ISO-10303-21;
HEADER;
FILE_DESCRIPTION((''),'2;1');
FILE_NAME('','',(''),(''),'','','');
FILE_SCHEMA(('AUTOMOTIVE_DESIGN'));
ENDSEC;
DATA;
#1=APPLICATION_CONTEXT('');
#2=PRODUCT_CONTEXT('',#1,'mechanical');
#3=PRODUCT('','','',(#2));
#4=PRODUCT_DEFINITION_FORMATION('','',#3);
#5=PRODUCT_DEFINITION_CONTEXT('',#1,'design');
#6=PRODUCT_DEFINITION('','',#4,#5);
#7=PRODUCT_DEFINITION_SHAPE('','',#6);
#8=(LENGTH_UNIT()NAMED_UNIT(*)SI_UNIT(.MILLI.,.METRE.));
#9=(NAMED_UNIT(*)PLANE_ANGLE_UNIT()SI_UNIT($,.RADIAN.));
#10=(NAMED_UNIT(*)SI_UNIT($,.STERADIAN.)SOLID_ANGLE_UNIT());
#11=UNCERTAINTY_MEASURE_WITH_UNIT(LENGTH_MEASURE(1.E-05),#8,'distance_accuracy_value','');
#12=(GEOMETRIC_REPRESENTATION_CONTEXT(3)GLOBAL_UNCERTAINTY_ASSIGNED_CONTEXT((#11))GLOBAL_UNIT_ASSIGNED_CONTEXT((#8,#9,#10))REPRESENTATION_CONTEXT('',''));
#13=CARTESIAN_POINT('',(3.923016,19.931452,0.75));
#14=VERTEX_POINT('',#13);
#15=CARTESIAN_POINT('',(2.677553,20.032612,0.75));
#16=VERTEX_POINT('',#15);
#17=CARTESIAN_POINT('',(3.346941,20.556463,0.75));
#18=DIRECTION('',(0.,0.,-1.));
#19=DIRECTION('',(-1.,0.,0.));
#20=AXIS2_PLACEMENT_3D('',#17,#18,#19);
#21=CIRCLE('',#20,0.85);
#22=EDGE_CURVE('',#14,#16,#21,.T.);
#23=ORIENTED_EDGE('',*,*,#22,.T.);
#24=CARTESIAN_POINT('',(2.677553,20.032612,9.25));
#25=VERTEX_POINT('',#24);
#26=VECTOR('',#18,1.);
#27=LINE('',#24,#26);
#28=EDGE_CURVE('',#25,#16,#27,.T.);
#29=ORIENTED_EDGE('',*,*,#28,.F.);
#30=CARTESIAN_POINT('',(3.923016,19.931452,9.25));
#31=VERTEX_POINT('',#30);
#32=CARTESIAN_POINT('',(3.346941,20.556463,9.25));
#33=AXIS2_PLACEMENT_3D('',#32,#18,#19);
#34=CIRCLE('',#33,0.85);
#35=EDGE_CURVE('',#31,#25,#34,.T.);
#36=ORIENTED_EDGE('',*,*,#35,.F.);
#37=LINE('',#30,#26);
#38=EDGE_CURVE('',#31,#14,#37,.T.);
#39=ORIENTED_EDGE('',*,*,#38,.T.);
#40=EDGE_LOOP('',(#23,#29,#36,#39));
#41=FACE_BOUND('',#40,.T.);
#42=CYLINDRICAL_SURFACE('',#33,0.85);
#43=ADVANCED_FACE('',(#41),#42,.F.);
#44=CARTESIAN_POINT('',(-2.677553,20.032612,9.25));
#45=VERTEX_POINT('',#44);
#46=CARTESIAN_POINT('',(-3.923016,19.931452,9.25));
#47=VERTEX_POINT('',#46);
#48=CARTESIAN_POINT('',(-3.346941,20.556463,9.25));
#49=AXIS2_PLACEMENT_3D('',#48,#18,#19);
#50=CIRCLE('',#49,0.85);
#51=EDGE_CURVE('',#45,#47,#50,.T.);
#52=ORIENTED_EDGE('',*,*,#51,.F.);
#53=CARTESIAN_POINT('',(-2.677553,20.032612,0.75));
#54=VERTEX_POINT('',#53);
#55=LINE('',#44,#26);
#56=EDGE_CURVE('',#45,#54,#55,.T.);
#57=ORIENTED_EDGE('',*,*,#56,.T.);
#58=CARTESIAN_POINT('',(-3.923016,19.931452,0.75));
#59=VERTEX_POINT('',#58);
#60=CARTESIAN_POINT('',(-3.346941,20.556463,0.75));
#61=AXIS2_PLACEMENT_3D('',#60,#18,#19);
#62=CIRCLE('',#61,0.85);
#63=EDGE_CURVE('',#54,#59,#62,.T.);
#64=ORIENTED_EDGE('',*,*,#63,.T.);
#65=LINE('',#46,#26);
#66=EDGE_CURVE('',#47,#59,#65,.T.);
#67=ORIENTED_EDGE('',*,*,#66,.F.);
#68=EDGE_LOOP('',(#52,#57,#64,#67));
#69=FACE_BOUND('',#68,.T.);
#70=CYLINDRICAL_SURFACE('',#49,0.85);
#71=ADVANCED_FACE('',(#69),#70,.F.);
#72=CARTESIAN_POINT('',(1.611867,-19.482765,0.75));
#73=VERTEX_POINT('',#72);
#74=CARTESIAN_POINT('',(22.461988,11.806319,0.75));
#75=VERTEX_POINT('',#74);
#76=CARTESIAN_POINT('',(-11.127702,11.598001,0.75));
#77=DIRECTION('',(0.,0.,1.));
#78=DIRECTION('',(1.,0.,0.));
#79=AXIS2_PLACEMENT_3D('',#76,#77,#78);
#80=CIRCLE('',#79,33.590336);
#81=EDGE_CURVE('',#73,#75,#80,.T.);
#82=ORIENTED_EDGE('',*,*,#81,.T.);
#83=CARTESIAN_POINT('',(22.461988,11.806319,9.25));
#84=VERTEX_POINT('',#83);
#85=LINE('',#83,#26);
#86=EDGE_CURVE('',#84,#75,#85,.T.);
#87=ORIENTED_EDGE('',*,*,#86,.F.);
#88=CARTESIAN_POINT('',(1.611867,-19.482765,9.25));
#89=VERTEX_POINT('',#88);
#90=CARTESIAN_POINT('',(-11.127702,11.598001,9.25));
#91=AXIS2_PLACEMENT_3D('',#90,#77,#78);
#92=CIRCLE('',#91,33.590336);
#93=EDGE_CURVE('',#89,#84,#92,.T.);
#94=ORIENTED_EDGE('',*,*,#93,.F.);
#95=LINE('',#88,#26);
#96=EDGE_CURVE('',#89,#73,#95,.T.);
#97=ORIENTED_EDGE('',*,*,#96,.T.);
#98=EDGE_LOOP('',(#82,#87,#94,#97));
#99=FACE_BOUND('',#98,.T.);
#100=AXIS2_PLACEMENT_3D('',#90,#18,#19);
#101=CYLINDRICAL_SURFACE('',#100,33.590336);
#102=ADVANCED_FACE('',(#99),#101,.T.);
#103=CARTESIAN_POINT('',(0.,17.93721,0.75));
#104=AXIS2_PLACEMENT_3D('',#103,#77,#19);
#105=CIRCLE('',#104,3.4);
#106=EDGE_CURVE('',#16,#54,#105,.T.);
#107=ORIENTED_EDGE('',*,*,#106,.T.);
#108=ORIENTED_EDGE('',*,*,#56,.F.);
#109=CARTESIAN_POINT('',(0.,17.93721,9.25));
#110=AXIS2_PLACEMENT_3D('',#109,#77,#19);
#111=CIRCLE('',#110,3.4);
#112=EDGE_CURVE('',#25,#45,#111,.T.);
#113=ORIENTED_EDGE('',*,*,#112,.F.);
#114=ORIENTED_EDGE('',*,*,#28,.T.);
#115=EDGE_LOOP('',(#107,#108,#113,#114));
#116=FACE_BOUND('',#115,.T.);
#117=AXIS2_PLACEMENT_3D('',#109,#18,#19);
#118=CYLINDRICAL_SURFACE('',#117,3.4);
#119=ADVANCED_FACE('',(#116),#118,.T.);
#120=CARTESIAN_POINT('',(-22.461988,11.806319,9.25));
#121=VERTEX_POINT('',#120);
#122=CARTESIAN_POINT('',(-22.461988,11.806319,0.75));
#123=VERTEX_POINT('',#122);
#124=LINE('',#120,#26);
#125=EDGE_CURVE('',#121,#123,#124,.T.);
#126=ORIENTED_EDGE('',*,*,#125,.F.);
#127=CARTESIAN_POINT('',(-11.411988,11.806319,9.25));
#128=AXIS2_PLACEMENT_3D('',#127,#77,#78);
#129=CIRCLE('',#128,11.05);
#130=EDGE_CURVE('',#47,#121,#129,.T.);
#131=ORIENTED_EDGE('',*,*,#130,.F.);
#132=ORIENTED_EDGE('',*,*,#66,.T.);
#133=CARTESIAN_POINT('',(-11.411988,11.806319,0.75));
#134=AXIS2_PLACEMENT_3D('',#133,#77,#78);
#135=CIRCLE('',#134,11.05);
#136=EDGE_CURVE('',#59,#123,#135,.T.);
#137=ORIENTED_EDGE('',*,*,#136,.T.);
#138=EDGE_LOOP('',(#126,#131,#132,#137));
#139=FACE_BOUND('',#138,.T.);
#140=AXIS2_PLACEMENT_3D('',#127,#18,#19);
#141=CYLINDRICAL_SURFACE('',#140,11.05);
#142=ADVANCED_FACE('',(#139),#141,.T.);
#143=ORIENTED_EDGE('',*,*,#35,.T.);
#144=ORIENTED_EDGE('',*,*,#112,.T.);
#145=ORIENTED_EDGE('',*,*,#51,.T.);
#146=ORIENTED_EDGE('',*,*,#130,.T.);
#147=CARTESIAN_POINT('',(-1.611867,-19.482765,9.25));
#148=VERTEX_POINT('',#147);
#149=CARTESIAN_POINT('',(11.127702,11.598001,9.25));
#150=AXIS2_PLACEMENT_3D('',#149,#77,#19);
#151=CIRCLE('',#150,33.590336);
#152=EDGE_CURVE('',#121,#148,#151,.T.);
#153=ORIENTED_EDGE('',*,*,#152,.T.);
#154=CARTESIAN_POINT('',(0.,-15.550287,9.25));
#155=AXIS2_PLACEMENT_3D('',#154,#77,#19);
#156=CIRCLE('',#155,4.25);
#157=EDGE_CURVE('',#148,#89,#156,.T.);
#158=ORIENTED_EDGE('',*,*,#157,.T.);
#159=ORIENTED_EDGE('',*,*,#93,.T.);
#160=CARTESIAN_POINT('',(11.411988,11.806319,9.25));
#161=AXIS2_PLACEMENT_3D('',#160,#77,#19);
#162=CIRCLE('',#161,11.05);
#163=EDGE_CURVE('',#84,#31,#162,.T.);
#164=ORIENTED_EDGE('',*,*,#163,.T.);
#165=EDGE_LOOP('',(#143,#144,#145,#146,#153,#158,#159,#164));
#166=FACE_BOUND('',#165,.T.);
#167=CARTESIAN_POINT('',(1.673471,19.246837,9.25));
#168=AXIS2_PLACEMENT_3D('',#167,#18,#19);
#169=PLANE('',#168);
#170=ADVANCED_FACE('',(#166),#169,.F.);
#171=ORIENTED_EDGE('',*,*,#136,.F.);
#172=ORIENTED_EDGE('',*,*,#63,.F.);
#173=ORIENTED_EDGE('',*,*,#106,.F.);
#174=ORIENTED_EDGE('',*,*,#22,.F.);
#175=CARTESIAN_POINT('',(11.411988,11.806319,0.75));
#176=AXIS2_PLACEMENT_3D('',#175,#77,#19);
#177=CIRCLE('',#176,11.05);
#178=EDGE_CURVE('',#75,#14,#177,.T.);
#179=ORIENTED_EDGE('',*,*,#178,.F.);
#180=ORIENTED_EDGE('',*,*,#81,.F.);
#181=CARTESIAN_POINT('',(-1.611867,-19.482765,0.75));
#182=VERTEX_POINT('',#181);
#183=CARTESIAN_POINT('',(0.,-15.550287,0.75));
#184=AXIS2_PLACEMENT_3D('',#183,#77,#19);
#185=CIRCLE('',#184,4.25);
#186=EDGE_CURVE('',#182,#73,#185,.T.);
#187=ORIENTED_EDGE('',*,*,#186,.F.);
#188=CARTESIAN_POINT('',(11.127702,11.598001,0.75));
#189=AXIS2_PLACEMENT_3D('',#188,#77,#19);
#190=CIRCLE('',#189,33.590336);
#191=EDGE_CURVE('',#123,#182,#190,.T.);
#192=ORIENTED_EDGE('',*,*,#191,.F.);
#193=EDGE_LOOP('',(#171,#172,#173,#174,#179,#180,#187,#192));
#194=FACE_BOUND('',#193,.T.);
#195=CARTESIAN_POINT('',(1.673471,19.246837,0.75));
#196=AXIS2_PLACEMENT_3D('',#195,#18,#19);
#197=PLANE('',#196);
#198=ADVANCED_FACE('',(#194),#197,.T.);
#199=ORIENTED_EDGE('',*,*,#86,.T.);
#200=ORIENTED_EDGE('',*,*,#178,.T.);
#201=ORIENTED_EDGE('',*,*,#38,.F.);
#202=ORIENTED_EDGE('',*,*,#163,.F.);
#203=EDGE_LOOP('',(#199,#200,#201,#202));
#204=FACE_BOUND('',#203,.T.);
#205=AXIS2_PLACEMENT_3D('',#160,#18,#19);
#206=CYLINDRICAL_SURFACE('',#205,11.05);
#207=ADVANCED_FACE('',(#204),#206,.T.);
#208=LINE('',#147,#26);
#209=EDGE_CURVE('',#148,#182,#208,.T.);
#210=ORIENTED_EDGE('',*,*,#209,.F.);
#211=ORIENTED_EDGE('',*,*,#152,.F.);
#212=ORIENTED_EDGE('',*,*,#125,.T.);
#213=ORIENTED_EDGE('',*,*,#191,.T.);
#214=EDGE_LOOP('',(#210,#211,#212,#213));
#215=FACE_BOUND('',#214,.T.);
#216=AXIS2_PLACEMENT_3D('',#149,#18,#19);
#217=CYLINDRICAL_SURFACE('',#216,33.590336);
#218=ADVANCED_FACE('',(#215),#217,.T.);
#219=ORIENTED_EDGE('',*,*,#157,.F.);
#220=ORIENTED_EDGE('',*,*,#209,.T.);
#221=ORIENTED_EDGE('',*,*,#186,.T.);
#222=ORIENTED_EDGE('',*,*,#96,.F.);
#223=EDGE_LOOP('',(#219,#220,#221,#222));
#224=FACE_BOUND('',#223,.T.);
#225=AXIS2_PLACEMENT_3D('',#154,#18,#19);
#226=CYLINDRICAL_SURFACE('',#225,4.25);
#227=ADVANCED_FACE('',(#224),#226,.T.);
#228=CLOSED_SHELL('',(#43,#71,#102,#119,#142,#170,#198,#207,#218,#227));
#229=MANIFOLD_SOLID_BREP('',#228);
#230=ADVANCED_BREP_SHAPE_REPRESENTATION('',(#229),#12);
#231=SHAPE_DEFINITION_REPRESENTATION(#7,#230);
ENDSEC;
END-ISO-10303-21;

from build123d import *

# Parameters (mm, degrees)
DODANIE_WYCI_GNI_CIE1_DEPTH = 10
SKALA1_SCALE                = 0.85


with BuildPart() as part:
    # Szkic1 → Dodanie-wyciągnięcie1 (new body)
    with BuildSketch(Plane.XY):
        with BuildLine():
            ThreePointArc((-4.61531313, 22.743178996), (-18.644238864, 25.090860352), (-26.425868288, 13.184197993))
            ThreePointArc((-26.425868288, 13.184197993), (-19.794080105, -8.974802604), (-1.896314698, -23.62648904))
            ThreePointArc((-1.896314698, -23.62648904), (0, -24.000044339), (1.896314698, -23.62648904))
            ThreePointArc((1.896314698, -23.62648904), (19.794080105, -8.974802604), (26.425868288, 13.184197993))
            ThreePointArc((26.425868288, 13.184197993), (18.644238864, 25.090860352), (4.61531313, 22.743178996))
            ThreePointArc((4.61531313, 22.743178996), (3.856622065, 22.481767555), (3.150062494, 22.862190539))
            ThreePointArc((3.150062494, 22.862190539), (0, 24.397011786), (-3.150062494, 22.862190539))
            ThreePointArc((-3.150062494, 22.862190539), (-3.856622065, 22.481767555), (-4.61531313, 22.743178996))
        make_face()
    extrude(amount=DODANIE_WYCI_GNI_CIE1_DEPTH)


with BuildPart() as part_1:
    # Skala1: scaled about (0, 3.998335482, 5)
    add(part.part.scale(SKALA1_SCALE).moved(Location((0, 0.599750322, 0.75))))


solid = part_1.part
